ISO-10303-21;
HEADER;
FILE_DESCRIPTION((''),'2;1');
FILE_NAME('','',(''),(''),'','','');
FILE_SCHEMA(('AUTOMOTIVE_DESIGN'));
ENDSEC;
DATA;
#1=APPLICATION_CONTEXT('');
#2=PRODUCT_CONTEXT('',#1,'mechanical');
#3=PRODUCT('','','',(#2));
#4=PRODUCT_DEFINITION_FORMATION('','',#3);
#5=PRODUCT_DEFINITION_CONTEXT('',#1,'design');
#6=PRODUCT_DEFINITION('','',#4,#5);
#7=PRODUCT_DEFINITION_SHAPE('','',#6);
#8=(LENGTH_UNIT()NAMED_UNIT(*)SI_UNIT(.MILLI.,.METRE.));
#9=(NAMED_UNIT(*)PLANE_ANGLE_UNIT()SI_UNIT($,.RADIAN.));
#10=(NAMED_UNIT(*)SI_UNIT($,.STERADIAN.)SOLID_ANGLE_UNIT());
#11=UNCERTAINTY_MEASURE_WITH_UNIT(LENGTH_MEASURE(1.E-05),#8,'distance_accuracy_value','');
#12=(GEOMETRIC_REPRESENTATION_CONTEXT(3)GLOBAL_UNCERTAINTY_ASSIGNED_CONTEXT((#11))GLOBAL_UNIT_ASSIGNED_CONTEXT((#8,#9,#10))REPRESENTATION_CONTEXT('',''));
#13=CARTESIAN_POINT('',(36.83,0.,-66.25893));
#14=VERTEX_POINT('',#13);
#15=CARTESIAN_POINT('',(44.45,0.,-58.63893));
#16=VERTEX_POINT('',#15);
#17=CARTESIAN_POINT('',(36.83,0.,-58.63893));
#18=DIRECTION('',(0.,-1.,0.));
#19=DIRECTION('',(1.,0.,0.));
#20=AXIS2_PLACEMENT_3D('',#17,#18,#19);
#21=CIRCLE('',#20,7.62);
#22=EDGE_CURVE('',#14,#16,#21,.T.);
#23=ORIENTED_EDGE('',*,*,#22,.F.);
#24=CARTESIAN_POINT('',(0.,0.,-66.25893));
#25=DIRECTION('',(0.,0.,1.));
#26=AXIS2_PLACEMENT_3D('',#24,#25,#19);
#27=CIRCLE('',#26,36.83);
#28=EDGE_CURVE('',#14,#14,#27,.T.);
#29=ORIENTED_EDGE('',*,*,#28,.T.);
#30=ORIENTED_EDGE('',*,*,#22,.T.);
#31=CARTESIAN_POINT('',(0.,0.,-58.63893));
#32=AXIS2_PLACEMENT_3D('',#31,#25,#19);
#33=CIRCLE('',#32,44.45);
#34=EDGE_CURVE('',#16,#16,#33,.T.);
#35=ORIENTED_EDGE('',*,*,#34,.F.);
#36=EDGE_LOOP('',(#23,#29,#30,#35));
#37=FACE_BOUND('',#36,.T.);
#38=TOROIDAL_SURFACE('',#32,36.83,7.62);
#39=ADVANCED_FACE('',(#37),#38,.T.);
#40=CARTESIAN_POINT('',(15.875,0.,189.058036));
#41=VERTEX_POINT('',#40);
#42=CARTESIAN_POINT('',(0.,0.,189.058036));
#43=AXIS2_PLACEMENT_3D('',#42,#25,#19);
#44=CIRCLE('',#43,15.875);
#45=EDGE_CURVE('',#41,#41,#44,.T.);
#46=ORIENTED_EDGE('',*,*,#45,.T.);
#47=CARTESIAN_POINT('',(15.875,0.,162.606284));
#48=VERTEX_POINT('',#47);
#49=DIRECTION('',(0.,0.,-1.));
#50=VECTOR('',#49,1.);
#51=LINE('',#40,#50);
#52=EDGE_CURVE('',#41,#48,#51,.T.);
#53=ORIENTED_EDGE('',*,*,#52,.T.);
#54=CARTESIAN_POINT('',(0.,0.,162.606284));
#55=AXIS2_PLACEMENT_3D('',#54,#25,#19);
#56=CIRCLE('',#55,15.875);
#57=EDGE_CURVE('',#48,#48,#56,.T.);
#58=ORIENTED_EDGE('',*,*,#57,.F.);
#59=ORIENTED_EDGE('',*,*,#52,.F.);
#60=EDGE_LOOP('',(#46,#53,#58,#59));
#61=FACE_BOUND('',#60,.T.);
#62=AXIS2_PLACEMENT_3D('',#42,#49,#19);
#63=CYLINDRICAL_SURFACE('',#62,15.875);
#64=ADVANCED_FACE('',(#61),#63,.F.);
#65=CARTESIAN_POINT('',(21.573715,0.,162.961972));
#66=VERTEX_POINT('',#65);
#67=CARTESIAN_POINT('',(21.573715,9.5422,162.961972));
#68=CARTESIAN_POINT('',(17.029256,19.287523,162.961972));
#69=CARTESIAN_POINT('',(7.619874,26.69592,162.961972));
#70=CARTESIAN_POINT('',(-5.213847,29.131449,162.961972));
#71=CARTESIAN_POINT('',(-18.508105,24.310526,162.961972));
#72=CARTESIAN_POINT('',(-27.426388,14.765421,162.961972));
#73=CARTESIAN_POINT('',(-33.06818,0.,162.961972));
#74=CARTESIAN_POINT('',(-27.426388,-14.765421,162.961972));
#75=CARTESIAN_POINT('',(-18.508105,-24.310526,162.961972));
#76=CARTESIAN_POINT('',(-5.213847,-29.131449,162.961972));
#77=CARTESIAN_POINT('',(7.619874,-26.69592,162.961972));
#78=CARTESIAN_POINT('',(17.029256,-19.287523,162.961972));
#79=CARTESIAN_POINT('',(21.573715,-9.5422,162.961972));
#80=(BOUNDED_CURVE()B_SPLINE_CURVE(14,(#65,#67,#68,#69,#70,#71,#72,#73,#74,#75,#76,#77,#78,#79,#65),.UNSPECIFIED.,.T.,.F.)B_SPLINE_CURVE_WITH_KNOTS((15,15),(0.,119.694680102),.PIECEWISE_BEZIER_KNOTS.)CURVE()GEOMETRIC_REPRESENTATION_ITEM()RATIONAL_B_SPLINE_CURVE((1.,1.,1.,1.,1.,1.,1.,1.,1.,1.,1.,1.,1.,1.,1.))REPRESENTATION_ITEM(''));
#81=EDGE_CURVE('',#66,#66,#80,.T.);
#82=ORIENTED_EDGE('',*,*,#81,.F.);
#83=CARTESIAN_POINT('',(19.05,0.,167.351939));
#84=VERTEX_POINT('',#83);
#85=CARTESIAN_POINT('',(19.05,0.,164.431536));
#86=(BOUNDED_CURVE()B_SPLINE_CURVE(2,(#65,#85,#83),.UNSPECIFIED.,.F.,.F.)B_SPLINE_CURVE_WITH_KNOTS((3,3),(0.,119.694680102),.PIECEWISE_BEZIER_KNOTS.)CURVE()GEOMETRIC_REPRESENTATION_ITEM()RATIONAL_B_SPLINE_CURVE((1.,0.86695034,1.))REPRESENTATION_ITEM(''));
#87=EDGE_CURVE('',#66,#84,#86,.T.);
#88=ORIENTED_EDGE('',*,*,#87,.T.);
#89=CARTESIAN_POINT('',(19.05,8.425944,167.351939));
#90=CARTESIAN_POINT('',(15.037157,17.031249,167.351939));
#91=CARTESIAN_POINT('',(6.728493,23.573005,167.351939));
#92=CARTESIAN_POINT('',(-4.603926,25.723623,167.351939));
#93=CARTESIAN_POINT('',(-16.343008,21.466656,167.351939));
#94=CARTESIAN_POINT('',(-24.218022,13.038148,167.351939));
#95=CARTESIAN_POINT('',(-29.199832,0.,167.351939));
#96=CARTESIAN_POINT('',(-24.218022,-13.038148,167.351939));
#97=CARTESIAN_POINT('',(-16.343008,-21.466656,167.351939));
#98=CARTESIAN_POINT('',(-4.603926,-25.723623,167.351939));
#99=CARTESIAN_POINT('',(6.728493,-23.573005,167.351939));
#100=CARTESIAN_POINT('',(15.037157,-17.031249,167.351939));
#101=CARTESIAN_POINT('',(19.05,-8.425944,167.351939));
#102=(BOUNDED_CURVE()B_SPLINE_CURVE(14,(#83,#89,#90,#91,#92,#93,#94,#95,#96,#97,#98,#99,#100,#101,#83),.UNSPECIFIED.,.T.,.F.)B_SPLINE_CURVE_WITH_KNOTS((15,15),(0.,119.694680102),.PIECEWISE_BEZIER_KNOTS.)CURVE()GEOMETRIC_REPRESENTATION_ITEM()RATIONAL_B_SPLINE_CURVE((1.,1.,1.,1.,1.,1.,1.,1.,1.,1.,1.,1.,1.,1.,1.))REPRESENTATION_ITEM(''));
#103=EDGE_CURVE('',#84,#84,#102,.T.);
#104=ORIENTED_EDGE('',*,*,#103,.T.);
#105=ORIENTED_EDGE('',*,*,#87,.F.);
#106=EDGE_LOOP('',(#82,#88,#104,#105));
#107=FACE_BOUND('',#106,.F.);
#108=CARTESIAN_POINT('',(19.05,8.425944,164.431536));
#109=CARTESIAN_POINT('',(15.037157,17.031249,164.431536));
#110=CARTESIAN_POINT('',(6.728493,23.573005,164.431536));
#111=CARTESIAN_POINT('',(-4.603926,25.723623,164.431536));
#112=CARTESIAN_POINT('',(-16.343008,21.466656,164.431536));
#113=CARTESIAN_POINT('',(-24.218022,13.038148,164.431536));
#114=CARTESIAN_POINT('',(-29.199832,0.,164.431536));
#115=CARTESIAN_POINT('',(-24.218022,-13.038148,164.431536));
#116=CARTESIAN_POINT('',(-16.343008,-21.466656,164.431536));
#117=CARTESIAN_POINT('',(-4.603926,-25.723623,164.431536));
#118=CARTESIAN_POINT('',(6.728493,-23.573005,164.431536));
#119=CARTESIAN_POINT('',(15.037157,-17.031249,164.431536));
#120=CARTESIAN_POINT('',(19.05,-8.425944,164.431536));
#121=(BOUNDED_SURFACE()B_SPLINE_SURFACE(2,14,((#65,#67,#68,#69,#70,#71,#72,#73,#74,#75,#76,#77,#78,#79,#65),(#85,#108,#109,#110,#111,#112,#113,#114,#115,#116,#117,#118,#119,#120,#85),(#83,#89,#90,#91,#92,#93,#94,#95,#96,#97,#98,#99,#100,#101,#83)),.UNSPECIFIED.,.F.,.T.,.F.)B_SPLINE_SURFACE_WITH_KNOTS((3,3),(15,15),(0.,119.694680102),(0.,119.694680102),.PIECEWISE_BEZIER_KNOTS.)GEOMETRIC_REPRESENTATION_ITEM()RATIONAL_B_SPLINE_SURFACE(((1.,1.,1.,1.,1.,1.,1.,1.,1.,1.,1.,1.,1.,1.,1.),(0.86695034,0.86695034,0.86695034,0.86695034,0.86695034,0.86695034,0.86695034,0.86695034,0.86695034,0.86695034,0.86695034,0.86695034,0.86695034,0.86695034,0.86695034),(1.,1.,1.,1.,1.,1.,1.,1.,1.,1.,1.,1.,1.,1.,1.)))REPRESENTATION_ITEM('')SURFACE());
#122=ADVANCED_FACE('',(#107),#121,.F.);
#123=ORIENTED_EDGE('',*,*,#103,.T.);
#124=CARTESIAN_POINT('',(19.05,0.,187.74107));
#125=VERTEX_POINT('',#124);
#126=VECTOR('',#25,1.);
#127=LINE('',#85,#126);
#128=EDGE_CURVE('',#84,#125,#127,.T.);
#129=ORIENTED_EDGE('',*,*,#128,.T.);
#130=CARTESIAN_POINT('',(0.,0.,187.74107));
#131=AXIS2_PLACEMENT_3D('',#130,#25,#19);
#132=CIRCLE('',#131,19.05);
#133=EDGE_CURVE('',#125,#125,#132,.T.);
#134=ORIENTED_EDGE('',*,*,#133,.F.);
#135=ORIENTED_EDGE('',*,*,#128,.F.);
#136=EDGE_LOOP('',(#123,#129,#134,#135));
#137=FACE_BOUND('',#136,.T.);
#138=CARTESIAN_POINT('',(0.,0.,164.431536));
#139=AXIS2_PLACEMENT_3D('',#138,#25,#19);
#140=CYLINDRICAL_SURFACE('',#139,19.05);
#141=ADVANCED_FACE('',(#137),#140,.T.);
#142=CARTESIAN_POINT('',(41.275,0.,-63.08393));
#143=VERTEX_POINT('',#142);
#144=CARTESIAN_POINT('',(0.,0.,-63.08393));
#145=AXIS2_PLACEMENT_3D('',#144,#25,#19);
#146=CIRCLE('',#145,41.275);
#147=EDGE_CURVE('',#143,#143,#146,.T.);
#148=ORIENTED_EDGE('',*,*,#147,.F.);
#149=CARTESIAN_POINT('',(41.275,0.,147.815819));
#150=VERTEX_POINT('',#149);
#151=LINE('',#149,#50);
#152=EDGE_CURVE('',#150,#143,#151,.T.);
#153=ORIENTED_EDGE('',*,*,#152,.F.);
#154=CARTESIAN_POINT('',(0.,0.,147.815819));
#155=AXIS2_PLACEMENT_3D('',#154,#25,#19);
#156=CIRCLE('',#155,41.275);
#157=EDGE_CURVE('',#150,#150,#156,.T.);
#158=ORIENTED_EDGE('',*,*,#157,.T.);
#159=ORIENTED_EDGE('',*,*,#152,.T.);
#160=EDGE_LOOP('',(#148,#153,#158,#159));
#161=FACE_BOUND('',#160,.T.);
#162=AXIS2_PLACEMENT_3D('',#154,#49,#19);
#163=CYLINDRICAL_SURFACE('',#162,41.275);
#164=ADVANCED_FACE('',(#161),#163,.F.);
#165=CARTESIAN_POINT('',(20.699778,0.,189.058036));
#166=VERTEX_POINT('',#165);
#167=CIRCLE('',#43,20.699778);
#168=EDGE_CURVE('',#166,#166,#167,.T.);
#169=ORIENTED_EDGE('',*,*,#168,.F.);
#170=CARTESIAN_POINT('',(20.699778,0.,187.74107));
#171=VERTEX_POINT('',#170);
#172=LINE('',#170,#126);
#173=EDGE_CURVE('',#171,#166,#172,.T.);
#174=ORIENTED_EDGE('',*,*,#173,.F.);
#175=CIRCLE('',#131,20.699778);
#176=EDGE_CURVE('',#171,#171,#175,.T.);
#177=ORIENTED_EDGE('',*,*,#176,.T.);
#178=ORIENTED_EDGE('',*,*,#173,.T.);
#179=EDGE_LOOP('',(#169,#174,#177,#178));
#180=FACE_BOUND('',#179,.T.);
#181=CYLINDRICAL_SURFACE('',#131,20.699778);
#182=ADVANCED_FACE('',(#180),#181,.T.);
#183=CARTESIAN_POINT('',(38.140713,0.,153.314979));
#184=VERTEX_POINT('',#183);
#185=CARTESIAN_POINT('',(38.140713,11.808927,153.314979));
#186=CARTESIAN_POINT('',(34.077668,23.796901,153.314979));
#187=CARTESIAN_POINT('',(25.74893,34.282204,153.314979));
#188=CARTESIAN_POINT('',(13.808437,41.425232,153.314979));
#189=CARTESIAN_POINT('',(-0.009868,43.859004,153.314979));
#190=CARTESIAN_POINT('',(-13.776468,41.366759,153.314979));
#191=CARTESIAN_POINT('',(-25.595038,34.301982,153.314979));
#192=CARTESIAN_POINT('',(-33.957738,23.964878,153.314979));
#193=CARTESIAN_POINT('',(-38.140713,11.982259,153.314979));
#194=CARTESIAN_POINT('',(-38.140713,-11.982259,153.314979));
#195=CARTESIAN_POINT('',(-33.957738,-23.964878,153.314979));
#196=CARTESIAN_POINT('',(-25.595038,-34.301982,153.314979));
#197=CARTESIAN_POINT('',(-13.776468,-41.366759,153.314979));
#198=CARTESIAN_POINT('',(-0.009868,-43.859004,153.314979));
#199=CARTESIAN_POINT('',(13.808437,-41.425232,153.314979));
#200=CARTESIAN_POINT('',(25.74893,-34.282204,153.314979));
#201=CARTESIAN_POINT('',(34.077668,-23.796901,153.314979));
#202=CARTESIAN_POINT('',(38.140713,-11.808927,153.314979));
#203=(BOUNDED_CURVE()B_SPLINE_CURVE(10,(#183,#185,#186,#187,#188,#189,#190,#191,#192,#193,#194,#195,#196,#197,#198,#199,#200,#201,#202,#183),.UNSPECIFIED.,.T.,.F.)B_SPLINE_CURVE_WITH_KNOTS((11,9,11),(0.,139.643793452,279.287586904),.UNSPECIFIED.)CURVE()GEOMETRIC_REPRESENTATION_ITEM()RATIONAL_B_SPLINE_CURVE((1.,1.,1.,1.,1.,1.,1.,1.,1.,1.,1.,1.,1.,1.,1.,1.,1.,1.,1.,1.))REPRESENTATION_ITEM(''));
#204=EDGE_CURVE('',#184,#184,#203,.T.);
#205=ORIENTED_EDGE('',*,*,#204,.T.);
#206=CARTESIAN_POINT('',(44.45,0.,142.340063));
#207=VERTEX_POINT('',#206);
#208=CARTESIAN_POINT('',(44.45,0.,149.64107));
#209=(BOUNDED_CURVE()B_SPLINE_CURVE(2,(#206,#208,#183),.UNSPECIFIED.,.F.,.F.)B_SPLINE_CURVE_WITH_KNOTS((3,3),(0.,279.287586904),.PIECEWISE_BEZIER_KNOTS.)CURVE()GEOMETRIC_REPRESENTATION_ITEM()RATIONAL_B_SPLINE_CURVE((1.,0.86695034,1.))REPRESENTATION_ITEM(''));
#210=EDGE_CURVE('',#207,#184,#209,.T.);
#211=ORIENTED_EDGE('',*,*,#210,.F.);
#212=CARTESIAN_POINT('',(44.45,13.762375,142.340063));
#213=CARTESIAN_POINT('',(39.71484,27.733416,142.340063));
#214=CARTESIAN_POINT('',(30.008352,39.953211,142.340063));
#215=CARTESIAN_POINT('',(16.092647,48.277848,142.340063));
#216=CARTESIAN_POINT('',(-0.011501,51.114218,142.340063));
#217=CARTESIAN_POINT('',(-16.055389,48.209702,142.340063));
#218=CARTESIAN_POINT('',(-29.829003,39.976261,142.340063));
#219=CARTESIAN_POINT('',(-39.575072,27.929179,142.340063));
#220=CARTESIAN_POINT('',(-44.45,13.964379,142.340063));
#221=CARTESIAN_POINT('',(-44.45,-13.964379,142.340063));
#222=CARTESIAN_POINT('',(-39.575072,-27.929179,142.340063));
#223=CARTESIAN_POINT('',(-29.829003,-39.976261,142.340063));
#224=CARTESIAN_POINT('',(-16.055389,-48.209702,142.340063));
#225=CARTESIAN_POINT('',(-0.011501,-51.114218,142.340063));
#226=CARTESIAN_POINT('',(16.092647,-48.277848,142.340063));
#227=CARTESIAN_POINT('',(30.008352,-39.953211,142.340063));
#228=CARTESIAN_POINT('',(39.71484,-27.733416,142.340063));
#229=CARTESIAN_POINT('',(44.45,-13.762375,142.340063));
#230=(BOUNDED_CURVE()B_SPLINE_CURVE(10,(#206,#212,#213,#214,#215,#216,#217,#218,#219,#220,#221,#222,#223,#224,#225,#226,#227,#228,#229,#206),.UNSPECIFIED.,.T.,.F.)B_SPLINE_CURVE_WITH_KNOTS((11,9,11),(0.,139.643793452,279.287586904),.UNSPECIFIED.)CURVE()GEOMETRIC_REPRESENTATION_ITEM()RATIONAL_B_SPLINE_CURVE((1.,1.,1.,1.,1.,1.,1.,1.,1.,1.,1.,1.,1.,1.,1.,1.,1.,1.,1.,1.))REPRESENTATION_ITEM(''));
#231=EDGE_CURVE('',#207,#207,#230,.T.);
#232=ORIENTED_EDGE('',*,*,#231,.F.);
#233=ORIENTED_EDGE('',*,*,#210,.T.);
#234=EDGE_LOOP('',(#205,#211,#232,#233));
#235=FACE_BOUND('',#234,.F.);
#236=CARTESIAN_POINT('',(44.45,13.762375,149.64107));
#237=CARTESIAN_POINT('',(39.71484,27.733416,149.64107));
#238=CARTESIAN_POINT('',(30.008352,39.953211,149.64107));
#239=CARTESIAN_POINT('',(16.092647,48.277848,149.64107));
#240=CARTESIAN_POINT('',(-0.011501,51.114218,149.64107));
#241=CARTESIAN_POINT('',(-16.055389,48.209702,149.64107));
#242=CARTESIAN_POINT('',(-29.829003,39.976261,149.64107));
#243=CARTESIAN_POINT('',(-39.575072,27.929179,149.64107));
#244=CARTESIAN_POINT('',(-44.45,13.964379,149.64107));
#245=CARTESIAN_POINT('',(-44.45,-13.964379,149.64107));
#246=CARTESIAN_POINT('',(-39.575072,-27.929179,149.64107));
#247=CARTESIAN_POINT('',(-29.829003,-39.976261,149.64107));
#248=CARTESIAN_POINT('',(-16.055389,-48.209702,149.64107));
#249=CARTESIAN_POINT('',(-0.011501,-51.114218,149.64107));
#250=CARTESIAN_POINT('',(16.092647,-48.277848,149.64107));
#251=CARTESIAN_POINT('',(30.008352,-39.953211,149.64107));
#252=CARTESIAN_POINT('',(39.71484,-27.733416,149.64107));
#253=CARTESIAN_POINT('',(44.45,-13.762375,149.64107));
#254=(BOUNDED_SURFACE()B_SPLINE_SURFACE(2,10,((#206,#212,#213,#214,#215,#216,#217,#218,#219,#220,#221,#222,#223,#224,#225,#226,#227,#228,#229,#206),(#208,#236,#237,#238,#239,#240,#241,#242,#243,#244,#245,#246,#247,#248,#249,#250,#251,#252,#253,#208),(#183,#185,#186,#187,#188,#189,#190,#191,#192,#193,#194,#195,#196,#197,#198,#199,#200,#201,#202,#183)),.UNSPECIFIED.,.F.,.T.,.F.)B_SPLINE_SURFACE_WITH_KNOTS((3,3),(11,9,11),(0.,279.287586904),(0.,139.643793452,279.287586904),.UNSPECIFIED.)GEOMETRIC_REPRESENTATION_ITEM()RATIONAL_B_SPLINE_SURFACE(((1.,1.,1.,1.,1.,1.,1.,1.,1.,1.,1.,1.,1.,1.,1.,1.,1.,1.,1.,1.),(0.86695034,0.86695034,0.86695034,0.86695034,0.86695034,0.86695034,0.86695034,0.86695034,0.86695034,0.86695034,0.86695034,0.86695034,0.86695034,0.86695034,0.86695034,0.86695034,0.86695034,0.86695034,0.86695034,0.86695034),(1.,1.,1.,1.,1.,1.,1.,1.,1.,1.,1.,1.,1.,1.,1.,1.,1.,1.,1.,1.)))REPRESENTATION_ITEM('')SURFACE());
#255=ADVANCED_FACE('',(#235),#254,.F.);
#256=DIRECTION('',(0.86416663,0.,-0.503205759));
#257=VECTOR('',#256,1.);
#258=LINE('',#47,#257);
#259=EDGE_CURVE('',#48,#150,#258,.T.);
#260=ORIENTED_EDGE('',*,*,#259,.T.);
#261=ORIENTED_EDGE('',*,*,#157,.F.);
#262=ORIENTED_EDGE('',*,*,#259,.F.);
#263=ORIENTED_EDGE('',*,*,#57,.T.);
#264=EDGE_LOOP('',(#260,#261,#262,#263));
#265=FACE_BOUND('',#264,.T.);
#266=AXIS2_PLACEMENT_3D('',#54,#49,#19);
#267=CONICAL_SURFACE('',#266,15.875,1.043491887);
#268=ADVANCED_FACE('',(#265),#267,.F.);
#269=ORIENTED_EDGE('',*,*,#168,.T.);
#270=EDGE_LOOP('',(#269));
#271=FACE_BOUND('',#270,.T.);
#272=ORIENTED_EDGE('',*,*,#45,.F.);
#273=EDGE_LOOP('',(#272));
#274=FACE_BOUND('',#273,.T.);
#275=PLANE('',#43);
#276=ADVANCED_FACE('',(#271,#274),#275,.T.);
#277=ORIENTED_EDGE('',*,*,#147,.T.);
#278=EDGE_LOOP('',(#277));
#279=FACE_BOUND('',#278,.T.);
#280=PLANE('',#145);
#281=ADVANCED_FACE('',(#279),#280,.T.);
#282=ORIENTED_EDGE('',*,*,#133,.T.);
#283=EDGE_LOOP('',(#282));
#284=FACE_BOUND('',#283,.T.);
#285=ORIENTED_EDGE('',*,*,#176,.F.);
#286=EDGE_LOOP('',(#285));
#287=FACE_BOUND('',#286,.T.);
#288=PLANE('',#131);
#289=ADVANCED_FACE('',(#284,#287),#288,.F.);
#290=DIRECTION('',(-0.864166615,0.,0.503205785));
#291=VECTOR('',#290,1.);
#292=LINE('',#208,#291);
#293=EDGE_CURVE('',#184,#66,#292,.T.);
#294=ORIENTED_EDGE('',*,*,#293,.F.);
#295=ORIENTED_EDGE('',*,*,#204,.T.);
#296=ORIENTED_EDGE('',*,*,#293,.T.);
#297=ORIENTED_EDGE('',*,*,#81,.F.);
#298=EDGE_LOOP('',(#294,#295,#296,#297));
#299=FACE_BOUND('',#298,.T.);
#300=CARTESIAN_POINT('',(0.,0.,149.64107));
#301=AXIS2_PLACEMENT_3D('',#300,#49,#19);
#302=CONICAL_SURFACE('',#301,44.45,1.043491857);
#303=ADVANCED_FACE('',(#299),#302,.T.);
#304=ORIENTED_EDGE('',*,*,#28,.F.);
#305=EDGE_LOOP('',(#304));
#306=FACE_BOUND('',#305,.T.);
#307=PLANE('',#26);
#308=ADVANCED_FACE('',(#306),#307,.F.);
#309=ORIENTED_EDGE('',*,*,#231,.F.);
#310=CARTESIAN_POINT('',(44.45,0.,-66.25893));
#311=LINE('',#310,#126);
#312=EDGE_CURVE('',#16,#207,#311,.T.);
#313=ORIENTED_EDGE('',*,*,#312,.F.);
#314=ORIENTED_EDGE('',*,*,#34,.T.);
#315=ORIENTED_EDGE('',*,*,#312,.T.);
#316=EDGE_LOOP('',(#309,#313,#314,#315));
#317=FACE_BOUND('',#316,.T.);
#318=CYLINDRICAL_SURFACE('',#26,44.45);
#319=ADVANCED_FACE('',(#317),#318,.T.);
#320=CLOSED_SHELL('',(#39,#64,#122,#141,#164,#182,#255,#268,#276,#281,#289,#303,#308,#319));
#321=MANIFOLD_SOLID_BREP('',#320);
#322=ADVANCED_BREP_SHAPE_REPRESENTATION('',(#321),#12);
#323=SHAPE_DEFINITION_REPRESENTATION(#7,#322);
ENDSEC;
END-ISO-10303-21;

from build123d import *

# Parameters (mm, degrees)
F3_R = 7.62
F4_R = 12.7
F5_R = 5.08


with BuildPart() as f2:
    # F0 (on Front) → F2 (revolve)
    with BuildSketch(Plane.XZ):
        Polygon((0, -63.08393), (0, -66.25893), (44.45, -66.25893), (44.45, 149.64107), (19.05, 164.431536), (19.05, 187.74107), (20.699778, 187.74107), (20.699778, 189.058036), (15.875, 189.058036), (15.875, 162.606284), (41.275, 147.815819), (41.275, -63.08393), align=None)
    revolve(axis=Axis((0, 0, 62.210336), (0, 0, 1)))

    # F3
    f3_edges = [f2.edges().sort_by_distance(p)[0] for p in [
        (-44.45, 0, -66.25893),
    ]]
    fillet(f3_edges, radius=F3_R)

    # F4
    f4_edges = [f2.edges().sort_by_distance(p)[0] for p in [
        (-44.45, 0, 149.64107),
    ]]
    fillet(f4_edges, radius=F4_R)

    # F5
    f5_edges = [f2.edges().sort_by_distance(p)[0] for p in [
        (-19.05, 0, 164.431536),
    ]]
    fillet(f5_edges, radius=F5_R)


solid = f2.part
